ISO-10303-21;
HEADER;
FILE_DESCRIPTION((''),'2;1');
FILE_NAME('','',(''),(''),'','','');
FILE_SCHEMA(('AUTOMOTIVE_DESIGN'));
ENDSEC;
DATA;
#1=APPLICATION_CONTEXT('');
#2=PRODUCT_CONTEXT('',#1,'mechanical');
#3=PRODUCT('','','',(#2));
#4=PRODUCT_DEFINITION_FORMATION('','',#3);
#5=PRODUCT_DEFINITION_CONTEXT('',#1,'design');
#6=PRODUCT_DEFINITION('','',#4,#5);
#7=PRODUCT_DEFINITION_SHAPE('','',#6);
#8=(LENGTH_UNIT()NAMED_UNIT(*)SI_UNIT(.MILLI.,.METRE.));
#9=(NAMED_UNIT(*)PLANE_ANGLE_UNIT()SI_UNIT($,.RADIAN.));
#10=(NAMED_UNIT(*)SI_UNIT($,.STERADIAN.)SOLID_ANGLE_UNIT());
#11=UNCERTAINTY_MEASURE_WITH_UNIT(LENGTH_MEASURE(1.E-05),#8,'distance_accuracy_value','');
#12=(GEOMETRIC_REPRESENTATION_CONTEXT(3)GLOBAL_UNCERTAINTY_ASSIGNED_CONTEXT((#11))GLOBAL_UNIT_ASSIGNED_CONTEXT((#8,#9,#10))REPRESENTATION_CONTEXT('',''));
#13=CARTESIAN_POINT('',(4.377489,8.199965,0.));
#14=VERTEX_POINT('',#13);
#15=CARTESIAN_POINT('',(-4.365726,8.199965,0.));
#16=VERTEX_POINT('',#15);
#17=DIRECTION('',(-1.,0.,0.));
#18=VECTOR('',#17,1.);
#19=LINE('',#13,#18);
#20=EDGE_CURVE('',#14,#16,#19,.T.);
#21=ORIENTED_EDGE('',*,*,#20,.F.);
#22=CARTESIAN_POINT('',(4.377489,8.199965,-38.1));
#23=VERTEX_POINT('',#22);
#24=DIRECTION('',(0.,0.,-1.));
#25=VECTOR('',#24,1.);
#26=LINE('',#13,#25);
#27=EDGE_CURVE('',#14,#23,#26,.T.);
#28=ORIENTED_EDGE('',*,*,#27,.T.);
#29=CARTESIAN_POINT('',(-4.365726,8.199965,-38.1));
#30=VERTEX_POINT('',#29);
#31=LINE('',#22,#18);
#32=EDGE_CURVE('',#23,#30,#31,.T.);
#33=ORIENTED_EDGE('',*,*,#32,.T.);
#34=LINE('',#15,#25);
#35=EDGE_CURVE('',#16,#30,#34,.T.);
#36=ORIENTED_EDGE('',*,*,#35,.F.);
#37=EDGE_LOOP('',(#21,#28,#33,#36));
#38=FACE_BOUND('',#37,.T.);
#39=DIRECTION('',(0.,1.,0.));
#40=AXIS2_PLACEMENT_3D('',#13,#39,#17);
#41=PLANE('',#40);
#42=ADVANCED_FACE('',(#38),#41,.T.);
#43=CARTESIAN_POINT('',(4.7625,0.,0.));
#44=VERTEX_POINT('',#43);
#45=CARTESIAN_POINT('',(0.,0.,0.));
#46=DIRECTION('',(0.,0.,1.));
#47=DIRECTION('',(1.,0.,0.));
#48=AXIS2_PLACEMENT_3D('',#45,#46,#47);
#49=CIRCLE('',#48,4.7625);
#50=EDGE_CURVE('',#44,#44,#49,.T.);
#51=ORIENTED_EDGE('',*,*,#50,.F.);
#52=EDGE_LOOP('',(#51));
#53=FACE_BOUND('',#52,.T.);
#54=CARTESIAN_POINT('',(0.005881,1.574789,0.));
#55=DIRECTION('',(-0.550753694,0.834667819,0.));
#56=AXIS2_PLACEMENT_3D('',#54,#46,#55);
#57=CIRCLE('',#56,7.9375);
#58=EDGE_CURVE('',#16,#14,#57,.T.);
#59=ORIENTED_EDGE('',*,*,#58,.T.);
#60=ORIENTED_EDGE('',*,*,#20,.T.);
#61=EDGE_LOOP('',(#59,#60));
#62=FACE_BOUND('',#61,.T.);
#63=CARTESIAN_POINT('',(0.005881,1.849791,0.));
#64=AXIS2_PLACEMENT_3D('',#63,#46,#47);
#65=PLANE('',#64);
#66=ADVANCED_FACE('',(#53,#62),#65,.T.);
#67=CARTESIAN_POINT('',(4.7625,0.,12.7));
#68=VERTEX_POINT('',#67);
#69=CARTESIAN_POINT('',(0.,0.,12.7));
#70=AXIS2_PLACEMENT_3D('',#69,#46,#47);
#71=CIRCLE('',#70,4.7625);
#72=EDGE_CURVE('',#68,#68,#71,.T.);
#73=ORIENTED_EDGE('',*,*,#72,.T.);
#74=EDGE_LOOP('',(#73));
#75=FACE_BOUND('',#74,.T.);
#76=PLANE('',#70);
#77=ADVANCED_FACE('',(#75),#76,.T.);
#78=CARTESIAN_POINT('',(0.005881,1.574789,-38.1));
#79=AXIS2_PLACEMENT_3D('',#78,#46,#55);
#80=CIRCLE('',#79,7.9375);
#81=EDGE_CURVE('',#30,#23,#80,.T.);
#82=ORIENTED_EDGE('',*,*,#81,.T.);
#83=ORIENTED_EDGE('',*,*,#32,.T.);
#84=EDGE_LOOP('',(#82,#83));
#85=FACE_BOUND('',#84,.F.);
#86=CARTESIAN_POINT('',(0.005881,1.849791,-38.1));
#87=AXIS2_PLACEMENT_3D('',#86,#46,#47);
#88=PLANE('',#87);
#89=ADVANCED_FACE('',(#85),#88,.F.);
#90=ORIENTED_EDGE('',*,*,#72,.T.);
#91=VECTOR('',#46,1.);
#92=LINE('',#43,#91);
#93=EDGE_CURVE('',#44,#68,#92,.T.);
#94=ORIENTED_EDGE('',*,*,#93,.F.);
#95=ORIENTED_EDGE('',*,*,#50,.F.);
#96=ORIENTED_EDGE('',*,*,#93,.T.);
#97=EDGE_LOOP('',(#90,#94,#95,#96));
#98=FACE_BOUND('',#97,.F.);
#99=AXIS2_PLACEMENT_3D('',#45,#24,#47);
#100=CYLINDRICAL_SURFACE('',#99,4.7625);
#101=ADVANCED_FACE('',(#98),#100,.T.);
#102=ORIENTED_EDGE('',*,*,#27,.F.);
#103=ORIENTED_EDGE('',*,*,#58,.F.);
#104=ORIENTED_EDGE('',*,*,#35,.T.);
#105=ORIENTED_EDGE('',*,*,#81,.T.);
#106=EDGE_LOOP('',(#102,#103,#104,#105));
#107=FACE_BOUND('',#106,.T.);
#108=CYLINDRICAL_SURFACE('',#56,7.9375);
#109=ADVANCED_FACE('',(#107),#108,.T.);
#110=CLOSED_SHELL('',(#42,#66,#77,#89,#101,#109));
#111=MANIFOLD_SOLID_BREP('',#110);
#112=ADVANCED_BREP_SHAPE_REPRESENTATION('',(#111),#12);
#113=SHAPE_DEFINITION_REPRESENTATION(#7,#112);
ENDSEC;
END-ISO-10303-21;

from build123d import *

# Parameters (mm, degrees)
F0_R     = 4.7625
F1_DEPTH = 12.7
F2_DEPTH = 38.1


with BuildPart() as f1:
    # F0 (on Top) → F1 (new body)
    with BuildSketch(Plane.XY):
        Circle(F0_R)
    extrude(amount=F1_DEPTH)

    # F0 (on Top) → F2 (join)
    with BuildSketch(Plane.XY):
        with BuildLine():
            Line((4.377489, 8.199965), (-4.365726, 8.199965))
            ThreePointArc((-4.365726, 8.199965), (0.005882, -6.362711), (4.377489, 8.199965))
        make_face()
        Circle(F0_R, mode=Mode.SUBTRACT)
        Circle(F0_R)
    extrude(amount=-F2_DEPTH)


solid = f1.part
